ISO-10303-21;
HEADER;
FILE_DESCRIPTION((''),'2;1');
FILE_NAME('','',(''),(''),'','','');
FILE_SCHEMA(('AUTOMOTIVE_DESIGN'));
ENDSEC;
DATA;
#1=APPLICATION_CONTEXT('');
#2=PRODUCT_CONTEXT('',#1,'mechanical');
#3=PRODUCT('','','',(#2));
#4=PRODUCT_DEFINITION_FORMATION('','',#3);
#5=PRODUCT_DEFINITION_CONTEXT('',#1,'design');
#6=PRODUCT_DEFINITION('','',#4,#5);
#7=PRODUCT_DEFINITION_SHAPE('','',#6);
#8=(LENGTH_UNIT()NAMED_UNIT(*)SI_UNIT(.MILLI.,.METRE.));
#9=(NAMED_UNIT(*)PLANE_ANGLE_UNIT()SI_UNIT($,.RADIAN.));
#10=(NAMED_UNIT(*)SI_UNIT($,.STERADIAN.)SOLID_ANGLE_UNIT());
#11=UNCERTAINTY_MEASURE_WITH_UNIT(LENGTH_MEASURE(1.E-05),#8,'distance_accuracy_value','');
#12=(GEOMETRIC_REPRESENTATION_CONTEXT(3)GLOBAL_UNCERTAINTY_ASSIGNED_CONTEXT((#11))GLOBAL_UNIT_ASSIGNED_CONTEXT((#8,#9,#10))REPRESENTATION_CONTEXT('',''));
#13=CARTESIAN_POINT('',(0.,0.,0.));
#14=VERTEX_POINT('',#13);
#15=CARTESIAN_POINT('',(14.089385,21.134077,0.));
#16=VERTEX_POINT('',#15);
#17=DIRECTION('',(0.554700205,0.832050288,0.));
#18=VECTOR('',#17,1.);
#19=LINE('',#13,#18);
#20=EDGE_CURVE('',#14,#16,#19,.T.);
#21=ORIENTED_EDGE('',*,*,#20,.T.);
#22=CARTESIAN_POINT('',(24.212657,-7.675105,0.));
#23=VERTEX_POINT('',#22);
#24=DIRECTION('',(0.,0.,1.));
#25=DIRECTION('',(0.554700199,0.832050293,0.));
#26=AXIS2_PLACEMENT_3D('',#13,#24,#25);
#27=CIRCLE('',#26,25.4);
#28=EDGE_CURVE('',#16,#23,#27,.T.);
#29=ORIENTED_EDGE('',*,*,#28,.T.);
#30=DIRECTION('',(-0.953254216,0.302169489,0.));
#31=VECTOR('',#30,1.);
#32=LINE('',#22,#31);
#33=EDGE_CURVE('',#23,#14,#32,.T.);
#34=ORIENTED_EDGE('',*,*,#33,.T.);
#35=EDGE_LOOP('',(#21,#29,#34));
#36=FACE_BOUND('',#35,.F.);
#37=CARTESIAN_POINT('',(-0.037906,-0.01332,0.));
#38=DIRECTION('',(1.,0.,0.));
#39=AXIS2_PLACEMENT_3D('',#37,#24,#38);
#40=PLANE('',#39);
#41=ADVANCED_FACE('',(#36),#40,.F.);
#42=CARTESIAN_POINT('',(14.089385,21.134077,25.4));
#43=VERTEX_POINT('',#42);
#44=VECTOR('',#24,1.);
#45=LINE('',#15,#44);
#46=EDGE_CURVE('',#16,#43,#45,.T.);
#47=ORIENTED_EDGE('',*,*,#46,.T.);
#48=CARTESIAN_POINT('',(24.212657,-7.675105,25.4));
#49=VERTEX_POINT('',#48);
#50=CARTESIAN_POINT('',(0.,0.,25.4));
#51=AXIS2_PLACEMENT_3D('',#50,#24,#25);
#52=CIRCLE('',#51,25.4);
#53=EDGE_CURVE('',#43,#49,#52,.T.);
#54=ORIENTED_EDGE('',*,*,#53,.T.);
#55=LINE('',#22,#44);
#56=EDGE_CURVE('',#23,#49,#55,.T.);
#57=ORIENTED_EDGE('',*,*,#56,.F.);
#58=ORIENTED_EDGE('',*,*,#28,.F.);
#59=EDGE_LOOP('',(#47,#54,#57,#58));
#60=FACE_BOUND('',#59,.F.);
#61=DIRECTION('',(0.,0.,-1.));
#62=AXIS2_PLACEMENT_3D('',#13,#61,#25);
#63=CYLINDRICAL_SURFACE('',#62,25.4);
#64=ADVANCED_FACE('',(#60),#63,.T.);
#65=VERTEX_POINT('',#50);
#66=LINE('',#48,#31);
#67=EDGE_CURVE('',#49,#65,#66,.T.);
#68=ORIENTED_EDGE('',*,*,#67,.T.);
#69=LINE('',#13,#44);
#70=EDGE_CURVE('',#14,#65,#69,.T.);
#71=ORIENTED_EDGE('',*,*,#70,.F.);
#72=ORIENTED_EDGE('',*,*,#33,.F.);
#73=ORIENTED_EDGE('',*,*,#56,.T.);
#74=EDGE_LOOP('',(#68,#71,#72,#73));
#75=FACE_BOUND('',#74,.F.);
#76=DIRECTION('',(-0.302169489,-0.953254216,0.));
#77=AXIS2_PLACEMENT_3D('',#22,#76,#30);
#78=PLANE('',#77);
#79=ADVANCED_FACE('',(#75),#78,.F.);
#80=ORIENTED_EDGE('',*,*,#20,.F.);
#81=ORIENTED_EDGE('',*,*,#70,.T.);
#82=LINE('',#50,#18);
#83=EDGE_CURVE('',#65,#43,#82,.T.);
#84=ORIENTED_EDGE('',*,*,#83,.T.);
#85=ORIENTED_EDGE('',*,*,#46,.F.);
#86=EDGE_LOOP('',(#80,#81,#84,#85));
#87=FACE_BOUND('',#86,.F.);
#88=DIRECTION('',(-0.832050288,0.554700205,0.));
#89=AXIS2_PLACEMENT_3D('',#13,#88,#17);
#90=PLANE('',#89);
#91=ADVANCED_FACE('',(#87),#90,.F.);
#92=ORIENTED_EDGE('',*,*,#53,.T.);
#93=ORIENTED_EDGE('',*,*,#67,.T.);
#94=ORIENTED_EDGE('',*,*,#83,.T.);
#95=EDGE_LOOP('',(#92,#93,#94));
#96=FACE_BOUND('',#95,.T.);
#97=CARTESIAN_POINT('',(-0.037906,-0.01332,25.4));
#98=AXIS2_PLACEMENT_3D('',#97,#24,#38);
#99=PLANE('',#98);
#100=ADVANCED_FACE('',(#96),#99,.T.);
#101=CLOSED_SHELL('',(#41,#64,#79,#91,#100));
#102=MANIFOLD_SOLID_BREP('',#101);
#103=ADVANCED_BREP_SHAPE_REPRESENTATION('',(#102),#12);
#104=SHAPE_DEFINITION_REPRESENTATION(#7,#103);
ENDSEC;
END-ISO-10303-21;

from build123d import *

# Parameters (mm, degrees)
F1_DEPTH = 25.4


with BuildPart() as f1:
    # F0 (on Top) → F1 (new body)
    with BuildSketch(Plane.XY):
        with BuildLine():
            ThreePointArc((14.089385, 21.134077), (-23.963594, -8.420579), (24.212657, -7.675105))
            Line((24.212657, -7.675105), (0, 0))
            Line((0, 0), (14.089385, 21.134077))
        make_face()
    extrude(amount=F1_DEPTH)


solid = f1.part
